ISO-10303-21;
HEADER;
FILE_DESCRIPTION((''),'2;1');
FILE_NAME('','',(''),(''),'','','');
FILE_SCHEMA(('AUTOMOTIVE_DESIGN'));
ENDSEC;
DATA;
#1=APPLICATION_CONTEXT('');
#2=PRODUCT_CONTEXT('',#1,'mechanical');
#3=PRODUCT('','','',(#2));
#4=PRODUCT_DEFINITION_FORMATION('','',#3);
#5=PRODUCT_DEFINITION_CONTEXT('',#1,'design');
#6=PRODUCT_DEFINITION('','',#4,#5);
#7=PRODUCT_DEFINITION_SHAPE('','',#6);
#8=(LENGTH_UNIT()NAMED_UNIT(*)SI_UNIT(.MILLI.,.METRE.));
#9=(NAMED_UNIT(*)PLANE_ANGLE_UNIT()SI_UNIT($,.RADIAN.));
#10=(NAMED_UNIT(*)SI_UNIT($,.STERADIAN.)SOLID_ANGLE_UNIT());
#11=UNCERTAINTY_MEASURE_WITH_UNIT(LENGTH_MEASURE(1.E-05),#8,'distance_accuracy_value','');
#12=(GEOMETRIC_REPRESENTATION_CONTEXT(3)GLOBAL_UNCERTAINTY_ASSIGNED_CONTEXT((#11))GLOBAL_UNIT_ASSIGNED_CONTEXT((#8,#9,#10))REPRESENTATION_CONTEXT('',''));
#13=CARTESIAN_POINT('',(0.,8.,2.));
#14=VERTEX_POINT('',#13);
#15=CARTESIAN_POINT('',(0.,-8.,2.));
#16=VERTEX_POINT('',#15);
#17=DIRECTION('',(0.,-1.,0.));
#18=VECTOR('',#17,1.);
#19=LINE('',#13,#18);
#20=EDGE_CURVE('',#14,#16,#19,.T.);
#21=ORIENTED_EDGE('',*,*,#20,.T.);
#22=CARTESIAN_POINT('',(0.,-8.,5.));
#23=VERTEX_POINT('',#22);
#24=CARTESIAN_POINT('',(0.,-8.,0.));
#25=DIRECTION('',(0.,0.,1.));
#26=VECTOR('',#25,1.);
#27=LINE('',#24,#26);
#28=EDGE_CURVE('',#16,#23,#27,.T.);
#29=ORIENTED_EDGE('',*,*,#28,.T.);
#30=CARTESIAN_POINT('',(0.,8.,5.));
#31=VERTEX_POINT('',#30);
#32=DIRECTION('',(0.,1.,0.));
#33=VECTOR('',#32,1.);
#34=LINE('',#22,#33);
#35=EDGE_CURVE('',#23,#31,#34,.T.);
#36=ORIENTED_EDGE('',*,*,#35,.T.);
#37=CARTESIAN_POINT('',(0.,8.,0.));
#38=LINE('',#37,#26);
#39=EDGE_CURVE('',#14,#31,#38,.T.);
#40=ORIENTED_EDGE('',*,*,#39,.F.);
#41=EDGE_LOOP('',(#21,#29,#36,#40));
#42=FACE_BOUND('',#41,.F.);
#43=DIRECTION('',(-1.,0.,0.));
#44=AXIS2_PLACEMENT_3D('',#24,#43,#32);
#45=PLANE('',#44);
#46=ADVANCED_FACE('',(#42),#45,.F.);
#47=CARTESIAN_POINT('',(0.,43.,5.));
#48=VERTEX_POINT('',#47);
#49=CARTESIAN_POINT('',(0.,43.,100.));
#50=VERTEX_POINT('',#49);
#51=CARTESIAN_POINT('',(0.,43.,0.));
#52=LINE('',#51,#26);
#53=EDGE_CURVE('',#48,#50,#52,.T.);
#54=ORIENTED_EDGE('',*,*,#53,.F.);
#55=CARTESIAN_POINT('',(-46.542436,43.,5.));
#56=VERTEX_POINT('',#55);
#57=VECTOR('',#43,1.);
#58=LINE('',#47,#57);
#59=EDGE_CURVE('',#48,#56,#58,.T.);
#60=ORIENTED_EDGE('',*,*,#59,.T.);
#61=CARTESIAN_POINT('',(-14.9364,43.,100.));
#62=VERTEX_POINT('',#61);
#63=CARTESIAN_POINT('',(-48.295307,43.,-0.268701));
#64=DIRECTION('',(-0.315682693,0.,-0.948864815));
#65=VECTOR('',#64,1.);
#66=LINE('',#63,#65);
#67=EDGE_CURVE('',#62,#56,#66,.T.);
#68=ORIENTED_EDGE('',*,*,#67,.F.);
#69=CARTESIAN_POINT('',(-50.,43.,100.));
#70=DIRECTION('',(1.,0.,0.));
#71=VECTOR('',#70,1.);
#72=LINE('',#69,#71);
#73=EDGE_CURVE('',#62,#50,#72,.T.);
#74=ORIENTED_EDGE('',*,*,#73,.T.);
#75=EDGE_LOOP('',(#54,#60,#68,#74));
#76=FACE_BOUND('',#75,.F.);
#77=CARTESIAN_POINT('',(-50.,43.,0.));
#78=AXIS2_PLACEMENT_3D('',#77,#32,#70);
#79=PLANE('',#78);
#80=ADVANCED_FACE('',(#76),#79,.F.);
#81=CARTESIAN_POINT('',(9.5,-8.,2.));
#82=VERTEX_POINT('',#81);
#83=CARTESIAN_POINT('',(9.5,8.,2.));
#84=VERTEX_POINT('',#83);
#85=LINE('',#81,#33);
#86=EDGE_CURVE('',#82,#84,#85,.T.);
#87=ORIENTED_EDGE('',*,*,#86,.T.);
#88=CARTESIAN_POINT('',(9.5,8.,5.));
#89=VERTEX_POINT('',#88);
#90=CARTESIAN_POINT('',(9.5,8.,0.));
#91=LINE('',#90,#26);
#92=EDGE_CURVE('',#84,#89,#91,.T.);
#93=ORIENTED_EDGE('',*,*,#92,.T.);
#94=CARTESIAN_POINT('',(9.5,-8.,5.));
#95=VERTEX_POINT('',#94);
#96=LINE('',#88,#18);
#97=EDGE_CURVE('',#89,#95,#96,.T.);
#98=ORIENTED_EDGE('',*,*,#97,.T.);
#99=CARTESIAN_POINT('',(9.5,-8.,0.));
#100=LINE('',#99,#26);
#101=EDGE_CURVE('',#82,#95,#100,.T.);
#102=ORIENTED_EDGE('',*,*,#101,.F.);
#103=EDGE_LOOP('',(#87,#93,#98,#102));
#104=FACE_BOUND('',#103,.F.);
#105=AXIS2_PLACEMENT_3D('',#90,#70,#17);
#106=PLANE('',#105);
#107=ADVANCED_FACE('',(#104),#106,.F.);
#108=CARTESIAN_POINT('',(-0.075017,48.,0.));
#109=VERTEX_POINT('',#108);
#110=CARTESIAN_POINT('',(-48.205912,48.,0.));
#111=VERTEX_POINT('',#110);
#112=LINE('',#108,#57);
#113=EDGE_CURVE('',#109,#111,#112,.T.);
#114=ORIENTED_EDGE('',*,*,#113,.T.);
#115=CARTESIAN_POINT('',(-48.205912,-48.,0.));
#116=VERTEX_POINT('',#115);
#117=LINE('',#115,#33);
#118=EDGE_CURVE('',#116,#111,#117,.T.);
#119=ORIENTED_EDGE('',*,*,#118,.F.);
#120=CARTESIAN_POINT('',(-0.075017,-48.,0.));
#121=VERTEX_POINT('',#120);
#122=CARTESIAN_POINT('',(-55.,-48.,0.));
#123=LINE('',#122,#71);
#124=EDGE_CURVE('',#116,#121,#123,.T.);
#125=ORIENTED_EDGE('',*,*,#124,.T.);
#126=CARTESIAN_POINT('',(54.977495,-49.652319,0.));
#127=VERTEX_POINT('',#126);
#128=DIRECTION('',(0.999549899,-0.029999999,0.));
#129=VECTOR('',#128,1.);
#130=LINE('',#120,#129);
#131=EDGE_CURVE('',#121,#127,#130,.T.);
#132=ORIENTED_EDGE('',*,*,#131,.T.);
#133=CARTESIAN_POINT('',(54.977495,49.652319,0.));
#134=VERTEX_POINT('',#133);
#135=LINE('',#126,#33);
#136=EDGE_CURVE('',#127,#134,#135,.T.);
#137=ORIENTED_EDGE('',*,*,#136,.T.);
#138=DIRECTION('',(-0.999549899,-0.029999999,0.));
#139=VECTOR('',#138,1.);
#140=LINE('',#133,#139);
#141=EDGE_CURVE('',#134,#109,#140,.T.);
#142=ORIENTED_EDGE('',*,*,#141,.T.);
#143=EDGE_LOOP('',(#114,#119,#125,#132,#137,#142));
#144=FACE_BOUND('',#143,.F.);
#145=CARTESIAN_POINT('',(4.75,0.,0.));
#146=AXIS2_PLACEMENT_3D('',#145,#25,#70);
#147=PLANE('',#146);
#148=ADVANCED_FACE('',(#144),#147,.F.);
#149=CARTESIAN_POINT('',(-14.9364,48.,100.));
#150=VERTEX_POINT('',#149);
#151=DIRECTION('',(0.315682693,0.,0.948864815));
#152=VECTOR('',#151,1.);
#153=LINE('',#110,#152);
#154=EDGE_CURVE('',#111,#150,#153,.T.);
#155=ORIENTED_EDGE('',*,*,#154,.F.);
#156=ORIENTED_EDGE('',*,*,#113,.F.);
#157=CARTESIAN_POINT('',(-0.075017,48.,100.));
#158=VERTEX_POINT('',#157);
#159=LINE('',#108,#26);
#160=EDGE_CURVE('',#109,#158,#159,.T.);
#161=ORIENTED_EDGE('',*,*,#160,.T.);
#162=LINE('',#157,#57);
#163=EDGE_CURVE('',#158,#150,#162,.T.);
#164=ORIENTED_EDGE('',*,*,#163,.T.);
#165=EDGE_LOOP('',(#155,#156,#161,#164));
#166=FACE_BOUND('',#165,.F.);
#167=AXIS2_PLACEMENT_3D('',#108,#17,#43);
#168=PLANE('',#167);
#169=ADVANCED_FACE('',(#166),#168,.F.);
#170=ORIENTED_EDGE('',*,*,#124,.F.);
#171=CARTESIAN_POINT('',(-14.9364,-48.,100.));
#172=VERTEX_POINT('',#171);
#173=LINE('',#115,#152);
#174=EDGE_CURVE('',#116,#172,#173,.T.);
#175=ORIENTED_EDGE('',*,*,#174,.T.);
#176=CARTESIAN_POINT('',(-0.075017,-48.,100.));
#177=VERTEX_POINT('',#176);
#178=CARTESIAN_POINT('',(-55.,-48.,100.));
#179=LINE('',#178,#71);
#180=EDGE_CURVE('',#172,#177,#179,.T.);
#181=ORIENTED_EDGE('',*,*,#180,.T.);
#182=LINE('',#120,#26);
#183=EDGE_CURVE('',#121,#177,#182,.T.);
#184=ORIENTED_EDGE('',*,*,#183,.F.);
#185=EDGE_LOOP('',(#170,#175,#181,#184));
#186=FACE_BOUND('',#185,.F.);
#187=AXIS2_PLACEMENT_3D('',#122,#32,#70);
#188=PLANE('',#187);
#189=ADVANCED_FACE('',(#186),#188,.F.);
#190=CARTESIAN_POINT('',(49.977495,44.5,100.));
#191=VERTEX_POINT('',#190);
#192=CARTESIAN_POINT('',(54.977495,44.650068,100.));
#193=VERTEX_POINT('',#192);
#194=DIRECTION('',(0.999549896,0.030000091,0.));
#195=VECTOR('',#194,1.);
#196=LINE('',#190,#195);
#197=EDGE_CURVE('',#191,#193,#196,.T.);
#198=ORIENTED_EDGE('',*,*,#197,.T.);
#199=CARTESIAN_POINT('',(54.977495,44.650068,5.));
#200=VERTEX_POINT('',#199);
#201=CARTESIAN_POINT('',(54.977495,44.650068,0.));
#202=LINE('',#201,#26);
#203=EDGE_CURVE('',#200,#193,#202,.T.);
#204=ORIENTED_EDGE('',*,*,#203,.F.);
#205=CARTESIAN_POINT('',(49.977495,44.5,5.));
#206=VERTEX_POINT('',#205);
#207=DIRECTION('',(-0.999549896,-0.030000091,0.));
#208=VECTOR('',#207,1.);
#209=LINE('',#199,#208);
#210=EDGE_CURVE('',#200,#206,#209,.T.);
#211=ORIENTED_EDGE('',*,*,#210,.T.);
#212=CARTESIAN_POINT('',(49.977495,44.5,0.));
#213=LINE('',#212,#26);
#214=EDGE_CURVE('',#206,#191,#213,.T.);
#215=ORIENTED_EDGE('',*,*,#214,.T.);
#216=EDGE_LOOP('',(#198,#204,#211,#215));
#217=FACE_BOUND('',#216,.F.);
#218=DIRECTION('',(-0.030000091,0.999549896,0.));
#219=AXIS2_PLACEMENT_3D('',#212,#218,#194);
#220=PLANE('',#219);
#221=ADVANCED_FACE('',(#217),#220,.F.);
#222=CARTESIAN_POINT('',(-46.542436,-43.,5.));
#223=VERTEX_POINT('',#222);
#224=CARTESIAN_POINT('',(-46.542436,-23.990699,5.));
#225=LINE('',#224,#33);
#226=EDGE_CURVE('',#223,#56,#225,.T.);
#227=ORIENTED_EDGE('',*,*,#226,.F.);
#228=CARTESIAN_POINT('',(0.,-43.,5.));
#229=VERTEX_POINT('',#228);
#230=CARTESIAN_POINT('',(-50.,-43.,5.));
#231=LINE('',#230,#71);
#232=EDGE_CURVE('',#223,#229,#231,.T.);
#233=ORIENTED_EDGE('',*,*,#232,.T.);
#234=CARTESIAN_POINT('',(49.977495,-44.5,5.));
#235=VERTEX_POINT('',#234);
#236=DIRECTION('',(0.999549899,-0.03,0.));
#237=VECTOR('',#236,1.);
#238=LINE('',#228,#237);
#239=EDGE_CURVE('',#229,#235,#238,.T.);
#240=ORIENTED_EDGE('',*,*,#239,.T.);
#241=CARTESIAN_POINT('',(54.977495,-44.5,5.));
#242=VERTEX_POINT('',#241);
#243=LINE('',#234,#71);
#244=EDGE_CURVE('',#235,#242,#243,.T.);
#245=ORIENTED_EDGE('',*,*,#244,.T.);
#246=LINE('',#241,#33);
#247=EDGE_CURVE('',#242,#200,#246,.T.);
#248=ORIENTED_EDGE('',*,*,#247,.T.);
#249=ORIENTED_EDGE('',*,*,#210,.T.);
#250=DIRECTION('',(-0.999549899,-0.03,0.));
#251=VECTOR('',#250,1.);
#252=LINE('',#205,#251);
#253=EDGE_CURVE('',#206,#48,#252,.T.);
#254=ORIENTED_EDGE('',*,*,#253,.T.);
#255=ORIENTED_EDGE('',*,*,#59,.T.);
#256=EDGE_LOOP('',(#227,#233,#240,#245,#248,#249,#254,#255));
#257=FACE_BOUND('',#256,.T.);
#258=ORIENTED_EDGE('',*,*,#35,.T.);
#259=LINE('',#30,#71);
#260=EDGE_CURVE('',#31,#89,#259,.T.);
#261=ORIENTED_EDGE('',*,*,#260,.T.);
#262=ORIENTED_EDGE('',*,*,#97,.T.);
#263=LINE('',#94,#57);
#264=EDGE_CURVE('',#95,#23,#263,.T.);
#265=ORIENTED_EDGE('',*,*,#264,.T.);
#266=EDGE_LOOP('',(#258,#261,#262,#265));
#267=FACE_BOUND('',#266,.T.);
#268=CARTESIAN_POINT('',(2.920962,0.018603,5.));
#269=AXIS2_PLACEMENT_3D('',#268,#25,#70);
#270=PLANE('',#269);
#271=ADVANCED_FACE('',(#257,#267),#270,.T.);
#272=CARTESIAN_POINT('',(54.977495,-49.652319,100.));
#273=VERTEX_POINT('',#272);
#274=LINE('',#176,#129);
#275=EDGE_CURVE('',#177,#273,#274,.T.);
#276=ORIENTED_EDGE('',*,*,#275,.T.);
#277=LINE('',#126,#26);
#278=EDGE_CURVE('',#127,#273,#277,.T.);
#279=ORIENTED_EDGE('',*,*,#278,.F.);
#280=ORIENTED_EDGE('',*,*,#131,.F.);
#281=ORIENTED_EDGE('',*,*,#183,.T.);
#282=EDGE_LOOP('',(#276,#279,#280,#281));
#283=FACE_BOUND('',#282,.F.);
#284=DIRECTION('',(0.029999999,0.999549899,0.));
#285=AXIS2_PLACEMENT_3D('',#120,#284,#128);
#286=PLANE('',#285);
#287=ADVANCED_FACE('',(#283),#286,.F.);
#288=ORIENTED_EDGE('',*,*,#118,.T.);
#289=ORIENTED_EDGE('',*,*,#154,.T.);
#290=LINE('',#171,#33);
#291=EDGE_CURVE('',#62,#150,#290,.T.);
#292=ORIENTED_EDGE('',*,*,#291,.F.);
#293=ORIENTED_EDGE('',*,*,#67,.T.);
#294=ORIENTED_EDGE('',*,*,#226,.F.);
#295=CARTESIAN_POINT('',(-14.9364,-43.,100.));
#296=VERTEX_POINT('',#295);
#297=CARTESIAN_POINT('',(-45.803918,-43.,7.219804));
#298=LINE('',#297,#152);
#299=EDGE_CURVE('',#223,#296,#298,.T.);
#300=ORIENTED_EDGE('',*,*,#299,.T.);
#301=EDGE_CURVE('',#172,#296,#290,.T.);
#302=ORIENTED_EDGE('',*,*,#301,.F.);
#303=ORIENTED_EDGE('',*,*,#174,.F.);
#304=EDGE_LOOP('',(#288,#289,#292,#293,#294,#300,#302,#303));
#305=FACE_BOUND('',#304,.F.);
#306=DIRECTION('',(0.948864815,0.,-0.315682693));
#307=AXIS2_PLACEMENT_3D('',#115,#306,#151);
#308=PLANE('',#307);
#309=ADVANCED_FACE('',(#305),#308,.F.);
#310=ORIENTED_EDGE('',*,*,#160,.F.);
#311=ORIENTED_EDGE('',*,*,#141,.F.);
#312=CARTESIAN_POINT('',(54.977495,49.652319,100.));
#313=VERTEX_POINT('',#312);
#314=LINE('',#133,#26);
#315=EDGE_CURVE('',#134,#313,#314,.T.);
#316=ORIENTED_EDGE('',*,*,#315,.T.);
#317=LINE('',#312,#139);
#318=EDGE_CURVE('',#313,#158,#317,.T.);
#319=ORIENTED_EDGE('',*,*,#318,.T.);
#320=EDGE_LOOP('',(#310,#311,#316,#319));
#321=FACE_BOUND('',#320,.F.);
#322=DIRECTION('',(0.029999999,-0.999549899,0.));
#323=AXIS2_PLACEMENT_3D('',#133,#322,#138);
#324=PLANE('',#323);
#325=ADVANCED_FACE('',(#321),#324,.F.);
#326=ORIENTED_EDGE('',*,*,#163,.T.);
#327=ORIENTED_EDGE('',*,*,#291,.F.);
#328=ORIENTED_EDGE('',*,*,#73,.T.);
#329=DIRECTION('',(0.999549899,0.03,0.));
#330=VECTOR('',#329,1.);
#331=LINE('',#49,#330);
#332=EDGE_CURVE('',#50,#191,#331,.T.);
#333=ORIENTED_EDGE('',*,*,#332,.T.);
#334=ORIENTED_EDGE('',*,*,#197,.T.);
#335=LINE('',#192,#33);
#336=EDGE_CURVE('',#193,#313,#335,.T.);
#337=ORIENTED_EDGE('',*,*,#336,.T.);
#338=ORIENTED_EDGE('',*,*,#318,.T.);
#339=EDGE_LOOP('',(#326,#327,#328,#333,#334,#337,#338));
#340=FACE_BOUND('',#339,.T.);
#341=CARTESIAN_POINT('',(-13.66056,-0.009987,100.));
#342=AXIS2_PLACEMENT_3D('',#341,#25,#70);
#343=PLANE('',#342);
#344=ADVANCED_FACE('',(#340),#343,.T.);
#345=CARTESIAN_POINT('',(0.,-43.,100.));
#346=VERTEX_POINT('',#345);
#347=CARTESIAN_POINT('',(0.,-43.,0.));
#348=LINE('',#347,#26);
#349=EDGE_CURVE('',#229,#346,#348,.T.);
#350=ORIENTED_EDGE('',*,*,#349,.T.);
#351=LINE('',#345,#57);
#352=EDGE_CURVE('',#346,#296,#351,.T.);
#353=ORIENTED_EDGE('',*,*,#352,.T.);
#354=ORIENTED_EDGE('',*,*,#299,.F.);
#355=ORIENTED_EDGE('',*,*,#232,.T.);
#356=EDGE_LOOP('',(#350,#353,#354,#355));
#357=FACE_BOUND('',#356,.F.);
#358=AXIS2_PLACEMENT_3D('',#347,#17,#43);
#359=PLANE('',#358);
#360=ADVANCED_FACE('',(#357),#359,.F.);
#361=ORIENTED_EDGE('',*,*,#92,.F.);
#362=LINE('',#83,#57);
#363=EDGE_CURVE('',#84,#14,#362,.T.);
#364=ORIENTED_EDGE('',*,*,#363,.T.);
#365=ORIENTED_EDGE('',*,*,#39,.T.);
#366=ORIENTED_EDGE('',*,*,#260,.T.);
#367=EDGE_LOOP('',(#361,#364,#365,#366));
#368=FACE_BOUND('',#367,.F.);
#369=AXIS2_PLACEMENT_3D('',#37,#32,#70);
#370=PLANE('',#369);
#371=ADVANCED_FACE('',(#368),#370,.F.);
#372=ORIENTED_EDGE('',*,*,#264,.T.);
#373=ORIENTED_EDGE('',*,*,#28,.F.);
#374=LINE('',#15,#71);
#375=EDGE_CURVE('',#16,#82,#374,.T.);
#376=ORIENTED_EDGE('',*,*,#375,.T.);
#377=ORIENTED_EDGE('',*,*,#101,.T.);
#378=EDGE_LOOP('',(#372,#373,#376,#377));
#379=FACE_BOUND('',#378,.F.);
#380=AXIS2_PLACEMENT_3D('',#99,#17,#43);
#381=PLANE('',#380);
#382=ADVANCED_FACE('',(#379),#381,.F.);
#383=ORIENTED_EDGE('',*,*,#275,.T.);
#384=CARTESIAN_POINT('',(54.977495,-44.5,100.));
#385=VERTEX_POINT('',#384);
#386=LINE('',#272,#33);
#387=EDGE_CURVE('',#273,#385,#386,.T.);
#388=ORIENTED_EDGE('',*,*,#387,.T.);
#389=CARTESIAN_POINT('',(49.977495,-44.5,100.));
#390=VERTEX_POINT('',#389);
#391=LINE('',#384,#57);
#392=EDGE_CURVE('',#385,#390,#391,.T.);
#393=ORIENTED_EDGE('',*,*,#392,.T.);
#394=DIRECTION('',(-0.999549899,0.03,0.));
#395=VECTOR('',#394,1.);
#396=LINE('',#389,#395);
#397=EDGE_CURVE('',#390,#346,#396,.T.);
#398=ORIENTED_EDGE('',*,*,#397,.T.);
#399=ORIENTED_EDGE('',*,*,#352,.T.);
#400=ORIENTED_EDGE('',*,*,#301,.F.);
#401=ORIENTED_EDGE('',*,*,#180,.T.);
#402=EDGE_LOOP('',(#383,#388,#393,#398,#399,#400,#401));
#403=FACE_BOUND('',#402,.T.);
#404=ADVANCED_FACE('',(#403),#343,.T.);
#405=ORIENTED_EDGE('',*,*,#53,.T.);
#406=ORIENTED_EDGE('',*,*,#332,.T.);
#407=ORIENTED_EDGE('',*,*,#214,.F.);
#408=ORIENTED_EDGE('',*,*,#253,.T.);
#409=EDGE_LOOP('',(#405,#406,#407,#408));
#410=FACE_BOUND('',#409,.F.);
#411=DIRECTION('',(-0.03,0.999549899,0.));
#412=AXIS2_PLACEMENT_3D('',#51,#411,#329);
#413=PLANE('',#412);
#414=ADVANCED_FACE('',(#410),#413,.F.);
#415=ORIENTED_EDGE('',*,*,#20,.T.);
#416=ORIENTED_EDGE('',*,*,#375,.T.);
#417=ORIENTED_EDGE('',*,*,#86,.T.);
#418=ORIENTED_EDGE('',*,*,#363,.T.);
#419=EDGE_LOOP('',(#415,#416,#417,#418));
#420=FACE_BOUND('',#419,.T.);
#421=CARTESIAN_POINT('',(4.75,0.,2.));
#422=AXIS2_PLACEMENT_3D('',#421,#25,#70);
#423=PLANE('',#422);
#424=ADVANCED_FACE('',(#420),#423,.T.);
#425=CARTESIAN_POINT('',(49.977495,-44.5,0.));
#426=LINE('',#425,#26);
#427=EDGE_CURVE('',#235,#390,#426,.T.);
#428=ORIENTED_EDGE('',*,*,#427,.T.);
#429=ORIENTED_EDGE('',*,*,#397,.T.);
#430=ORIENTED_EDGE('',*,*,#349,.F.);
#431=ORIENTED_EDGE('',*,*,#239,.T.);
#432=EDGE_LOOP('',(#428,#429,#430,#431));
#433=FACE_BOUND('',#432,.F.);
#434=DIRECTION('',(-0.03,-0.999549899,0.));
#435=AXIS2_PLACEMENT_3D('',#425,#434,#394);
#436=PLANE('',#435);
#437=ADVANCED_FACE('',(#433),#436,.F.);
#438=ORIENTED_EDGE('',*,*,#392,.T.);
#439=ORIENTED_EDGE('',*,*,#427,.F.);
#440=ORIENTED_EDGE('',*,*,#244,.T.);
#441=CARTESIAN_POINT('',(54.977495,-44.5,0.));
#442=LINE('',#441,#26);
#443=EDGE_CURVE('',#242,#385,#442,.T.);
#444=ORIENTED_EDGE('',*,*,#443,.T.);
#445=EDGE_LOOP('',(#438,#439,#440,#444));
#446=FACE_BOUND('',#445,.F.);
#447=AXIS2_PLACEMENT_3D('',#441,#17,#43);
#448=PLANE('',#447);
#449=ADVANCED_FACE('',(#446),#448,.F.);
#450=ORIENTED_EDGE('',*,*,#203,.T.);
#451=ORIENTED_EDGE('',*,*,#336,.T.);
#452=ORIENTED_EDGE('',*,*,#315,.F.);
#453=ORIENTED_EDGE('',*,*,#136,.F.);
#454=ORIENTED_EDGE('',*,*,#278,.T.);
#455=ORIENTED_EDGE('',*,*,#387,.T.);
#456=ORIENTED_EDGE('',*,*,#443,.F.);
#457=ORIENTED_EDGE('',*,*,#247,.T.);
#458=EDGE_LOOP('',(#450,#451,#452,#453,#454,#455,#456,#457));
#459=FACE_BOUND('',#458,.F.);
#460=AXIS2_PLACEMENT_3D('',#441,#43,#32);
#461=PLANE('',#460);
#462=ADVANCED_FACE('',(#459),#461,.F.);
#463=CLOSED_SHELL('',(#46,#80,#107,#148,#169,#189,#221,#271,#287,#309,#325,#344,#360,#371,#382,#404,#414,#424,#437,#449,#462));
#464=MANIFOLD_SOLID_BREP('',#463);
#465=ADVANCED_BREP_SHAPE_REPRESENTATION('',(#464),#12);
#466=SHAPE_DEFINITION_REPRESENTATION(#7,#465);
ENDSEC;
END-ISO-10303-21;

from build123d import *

# Parameters (mm, degrees)
F1_DEPTH = 5
F2_DEPTH = 100
F3_DEPTH = 2
F5_DEPTH = 96


with BuildPart() as f1:
    # F0 (on Top) → F1 (new body)
    with BuildSketch(Plane.XY):
        Polygon((49.977495, 44.5), (0, 43), (-50, 43), (-50, -43), (0, -43), (49.977495, -44.5), (54.977495, -44.5), (54.977495, 44.650068), align=None)
        Polygon((0, -8), (0, 8), (9.5, 8), (9.5, 0), (9.5, -8), align=None, mode=Mode.SUBTRACT)
    extrude(amount=F1_DEPTH)

    # F0 (on Top) → F2 (join)
    with BuildSketch(Plane.XY):
        Polygon((-50, 43), (0, 43), (49.977495, 44.5), (54.977495, 44.650068), (54.977495, 49.652319), (-0.075017, 48), (-55, 48), (-55, -48), (-0.075017, -48), (54.977495, -49.652319), (54.977495, -44.5), (49.977495, -44.5), (0, -43), (-50, -43), align=None)
    extrude(amount=F2_DEPTH)

    # F0 (on Top) → F3 (join)
    with BuildSketch(Plane.XY):
        Polygon((9.5, 8), (0, 8), (0, -8), (9.5, -8), (9.5, 0), align=None)
    extrude(amount=F3_DEPTH)

    # F4 (on face) → F5 (cut)
    with BuildSketch(Plane.XZ.offset(48)):
        Polygon((-55, 0), (-48.205912, 0), (-14.9364, 100), (-55, 100), align=None)
    extrude(amount=-F5_DEPTH, mode=Mode.SUBTRACT)


solid = f1.part
